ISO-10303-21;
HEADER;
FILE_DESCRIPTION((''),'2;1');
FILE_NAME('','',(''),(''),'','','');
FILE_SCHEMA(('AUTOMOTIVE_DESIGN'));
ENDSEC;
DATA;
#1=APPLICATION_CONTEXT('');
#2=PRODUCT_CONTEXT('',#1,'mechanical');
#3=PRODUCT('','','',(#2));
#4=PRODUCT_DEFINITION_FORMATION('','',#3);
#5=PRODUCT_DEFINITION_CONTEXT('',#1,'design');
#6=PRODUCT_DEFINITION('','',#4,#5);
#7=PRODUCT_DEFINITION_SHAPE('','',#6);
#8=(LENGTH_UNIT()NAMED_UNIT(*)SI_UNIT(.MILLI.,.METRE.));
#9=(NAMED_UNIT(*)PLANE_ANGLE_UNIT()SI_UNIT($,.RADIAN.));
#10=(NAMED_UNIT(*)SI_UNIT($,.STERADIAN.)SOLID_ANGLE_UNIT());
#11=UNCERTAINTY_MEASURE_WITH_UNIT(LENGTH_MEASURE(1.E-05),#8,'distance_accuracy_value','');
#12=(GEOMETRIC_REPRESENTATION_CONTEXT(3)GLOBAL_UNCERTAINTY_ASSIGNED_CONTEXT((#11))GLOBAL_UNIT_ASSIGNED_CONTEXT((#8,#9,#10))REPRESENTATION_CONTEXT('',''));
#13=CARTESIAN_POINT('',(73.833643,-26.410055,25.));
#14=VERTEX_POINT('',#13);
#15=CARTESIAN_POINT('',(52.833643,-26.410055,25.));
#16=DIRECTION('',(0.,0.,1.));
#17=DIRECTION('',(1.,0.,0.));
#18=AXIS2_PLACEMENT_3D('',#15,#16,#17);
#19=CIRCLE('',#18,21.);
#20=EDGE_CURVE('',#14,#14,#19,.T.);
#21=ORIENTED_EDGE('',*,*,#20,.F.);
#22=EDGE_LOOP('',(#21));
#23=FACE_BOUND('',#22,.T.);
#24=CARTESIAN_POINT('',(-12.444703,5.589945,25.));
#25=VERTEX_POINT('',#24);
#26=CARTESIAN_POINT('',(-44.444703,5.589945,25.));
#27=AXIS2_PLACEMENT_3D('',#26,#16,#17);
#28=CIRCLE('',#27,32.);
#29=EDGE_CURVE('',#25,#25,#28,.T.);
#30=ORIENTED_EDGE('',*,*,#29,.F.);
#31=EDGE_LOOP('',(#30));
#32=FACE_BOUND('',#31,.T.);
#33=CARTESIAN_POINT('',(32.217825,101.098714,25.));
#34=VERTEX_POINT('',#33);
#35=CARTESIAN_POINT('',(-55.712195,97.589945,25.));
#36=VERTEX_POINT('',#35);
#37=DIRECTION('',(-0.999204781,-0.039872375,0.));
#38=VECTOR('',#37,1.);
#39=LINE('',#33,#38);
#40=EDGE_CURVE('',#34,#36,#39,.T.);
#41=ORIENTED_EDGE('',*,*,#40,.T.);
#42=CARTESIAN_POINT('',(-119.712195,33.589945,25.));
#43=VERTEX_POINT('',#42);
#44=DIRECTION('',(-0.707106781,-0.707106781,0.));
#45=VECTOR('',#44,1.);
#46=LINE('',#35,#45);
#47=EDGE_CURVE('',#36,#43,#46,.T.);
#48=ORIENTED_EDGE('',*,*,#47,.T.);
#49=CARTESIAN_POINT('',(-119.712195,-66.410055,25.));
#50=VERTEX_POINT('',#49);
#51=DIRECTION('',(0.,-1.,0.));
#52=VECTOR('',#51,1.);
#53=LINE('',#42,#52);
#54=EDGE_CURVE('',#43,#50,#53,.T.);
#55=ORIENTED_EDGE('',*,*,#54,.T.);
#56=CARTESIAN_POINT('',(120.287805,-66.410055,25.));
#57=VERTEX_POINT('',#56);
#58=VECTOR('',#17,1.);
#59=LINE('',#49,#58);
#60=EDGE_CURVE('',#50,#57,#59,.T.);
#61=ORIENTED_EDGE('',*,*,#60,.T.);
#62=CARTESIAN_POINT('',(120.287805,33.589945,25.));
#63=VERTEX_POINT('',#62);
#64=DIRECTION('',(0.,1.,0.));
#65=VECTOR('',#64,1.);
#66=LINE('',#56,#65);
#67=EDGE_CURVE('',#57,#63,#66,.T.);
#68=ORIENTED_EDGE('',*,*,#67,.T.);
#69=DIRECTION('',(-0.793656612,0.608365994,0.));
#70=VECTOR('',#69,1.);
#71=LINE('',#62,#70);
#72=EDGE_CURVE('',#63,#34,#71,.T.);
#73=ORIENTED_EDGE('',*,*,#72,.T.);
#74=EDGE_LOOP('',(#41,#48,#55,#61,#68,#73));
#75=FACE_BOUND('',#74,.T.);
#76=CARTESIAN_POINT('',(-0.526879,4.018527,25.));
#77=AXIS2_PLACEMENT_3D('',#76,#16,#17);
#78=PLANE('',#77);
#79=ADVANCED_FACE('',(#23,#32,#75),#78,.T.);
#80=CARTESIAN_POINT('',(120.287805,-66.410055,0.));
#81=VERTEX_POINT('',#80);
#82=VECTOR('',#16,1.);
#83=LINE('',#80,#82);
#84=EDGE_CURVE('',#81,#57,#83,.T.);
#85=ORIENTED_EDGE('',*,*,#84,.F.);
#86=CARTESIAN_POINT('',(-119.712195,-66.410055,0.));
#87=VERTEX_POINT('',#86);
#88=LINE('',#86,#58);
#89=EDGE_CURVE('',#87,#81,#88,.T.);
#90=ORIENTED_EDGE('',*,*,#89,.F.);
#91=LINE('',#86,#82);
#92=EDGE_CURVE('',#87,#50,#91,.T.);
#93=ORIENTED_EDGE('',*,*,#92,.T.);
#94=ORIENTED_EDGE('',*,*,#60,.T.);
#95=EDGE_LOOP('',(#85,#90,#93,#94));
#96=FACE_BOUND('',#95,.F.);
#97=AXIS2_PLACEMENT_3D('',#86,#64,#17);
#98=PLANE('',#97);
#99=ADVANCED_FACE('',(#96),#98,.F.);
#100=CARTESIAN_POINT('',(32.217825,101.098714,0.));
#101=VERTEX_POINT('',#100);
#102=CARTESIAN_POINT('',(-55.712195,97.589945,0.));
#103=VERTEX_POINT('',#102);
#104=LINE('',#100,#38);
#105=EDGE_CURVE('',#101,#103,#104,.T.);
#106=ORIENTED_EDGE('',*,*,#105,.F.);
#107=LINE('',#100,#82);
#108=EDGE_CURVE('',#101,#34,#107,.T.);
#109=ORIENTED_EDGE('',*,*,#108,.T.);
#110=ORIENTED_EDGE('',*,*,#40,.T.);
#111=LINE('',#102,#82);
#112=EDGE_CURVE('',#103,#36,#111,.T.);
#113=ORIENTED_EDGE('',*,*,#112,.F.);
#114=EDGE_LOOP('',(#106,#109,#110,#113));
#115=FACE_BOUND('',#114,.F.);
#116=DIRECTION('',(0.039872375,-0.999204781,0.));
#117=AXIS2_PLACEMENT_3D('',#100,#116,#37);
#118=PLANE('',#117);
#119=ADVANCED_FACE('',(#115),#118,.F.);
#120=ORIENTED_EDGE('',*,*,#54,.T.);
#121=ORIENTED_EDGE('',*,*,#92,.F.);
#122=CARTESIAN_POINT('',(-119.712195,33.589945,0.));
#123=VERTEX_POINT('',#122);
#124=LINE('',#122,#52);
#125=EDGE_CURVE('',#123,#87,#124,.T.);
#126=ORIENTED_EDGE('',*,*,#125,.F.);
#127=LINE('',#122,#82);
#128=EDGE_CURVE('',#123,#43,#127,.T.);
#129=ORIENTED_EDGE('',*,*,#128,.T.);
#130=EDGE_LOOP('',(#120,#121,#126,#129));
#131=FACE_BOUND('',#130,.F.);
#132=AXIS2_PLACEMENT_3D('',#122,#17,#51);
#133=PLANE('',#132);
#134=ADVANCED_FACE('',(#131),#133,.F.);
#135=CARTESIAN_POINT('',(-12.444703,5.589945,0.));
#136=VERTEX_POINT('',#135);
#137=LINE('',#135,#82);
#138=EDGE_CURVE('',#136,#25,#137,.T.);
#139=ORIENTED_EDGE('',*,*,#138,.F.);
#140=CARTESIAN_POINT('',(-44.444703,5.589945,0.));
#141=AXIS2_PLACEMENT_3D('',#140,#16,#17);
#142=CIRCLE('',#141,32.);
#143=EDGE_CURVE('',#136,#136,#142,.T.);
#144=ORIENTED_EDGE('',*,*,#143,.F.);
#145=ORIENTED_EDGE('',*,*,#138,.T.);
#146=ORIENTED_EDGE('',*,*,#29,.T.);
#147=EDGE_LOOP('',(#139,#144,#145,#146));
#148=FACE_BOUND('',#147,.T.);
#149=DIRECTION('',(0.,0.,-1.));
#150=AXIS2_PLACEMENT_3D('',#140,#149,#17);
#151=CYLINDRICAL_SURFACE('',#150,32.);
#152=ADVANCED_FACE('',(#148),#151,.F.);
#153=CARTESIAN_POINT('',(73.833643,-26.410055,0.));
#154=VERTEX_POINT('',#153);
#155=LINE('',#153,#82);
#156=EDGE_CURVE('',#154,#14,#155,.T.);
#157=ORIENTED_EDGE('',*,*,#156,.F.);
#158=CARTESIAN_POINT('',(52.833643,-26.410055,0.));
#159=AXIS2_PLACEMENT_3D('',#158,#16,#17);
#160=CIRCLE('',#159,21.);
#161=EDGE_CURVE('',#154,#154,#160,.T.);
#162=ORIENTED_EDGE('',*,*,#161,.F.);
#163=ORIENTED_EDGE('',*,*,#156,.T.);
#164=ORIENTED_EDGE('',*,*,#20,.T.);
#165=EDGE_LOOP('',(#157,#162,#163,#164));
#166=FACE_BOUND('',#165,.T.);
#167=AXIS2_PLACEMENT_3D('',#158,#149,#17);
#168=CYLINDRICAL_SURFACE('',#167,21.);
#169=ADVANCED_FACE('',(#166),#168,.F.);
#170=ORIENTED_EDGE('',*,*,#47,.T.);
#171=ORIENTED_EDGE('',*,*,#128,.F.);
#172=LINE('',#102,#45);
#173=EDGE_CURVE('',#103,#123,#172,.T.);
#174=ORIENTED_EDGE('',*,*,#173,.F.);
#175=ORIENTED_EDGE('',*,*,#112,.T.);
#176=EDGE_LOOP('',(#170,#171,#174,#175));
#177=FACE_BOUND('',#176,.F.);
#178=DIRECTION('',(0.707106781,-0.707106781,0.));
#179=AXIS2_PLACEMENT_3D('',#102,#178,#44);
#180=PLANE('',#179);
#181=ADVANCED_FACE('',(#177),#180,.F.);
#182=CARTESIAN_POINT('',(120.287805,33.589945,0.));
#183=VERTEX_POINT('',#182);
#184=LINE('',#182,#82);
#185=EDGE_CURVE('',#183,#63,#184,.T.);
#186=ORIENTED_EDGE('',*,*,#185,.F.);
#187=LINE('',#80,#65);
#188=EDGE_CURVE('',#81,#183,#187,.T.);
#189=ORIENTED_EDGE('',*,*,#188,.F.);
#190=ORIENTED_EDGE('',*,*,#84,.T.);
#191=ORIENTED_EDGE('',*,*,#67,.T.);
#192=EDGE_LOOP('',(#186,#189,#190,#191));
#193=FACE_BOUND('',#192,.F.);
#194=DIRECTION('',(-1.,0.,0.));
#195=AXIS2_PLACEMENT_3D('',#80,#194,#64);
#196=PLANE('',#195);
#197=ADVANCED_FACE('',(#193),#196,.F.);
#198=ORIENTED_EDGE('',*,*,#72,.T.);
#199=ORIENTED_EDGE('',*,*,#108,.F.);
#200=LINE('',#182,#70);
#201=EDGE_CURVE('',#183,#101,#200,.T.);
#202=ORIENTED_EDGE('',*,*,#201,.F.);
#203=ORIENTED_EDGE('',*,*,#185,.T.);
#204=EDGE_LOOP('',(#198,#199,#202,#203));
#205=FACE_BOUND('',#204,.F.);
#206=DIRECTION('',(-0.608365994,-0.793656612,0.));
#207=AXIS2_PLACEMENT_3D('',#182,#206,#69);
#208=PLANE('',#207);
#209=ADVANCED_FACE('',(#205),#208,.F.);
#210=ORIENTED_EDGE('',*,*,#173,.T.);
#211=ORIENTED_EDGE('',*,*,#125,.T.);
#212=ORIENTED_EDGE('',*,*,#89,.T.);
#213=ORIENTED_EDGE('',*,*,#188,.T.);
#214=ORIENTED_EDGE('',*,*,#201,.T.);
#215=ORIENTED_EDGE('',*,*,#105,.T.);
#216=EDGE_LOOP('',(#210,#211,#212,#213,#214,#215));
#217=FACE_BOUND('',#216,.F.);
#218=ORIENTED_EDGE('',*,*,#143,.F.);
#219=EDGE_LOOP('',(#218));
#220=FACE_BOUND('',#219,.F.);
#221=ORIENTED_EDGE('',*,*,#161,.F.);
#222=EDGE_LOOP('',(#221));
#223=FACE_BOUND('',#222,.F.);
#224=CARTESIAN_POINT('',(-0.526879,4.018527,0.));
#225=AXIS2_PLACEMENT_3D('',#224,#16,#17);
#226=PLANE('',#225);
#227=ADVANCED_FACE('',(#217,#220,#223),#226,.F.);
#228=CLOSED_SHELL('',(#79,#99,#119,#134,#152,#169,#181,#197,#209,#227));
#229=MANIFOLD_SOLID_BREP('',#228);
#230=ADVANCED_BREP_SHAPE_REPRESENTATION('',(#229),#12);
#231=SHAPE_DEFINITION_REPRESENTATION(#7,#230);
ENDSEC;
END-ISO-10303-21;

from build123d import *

# Parameters (mm, degrees)
F0_R     = 32
F0_R_2   = 21
F1_DEPTH = 25


with BuildPart() as f1:
    # F0 (on Top) → F1 (new body)
    with BuildSketch(Plane.XY):
        Polygon((-55.712195, 97.589945), (-119.712195, 33.589945), (-119.712195, -66.410055), (120.287805, -66.410055), (120.287805, 33.589945), (32.217825, 101.098714), align=None)
        with Locations((-44.444703, 5.589945)):
            Circle(F0_R, mode=Mode.SUBTRACT)
        with Locations((52.833643, -26.410055)):
            Circle(F0_R_2, mode=Mode.SUBTRACT)
    extrude(amount=F1_DEPTH)


solid = f1.part
